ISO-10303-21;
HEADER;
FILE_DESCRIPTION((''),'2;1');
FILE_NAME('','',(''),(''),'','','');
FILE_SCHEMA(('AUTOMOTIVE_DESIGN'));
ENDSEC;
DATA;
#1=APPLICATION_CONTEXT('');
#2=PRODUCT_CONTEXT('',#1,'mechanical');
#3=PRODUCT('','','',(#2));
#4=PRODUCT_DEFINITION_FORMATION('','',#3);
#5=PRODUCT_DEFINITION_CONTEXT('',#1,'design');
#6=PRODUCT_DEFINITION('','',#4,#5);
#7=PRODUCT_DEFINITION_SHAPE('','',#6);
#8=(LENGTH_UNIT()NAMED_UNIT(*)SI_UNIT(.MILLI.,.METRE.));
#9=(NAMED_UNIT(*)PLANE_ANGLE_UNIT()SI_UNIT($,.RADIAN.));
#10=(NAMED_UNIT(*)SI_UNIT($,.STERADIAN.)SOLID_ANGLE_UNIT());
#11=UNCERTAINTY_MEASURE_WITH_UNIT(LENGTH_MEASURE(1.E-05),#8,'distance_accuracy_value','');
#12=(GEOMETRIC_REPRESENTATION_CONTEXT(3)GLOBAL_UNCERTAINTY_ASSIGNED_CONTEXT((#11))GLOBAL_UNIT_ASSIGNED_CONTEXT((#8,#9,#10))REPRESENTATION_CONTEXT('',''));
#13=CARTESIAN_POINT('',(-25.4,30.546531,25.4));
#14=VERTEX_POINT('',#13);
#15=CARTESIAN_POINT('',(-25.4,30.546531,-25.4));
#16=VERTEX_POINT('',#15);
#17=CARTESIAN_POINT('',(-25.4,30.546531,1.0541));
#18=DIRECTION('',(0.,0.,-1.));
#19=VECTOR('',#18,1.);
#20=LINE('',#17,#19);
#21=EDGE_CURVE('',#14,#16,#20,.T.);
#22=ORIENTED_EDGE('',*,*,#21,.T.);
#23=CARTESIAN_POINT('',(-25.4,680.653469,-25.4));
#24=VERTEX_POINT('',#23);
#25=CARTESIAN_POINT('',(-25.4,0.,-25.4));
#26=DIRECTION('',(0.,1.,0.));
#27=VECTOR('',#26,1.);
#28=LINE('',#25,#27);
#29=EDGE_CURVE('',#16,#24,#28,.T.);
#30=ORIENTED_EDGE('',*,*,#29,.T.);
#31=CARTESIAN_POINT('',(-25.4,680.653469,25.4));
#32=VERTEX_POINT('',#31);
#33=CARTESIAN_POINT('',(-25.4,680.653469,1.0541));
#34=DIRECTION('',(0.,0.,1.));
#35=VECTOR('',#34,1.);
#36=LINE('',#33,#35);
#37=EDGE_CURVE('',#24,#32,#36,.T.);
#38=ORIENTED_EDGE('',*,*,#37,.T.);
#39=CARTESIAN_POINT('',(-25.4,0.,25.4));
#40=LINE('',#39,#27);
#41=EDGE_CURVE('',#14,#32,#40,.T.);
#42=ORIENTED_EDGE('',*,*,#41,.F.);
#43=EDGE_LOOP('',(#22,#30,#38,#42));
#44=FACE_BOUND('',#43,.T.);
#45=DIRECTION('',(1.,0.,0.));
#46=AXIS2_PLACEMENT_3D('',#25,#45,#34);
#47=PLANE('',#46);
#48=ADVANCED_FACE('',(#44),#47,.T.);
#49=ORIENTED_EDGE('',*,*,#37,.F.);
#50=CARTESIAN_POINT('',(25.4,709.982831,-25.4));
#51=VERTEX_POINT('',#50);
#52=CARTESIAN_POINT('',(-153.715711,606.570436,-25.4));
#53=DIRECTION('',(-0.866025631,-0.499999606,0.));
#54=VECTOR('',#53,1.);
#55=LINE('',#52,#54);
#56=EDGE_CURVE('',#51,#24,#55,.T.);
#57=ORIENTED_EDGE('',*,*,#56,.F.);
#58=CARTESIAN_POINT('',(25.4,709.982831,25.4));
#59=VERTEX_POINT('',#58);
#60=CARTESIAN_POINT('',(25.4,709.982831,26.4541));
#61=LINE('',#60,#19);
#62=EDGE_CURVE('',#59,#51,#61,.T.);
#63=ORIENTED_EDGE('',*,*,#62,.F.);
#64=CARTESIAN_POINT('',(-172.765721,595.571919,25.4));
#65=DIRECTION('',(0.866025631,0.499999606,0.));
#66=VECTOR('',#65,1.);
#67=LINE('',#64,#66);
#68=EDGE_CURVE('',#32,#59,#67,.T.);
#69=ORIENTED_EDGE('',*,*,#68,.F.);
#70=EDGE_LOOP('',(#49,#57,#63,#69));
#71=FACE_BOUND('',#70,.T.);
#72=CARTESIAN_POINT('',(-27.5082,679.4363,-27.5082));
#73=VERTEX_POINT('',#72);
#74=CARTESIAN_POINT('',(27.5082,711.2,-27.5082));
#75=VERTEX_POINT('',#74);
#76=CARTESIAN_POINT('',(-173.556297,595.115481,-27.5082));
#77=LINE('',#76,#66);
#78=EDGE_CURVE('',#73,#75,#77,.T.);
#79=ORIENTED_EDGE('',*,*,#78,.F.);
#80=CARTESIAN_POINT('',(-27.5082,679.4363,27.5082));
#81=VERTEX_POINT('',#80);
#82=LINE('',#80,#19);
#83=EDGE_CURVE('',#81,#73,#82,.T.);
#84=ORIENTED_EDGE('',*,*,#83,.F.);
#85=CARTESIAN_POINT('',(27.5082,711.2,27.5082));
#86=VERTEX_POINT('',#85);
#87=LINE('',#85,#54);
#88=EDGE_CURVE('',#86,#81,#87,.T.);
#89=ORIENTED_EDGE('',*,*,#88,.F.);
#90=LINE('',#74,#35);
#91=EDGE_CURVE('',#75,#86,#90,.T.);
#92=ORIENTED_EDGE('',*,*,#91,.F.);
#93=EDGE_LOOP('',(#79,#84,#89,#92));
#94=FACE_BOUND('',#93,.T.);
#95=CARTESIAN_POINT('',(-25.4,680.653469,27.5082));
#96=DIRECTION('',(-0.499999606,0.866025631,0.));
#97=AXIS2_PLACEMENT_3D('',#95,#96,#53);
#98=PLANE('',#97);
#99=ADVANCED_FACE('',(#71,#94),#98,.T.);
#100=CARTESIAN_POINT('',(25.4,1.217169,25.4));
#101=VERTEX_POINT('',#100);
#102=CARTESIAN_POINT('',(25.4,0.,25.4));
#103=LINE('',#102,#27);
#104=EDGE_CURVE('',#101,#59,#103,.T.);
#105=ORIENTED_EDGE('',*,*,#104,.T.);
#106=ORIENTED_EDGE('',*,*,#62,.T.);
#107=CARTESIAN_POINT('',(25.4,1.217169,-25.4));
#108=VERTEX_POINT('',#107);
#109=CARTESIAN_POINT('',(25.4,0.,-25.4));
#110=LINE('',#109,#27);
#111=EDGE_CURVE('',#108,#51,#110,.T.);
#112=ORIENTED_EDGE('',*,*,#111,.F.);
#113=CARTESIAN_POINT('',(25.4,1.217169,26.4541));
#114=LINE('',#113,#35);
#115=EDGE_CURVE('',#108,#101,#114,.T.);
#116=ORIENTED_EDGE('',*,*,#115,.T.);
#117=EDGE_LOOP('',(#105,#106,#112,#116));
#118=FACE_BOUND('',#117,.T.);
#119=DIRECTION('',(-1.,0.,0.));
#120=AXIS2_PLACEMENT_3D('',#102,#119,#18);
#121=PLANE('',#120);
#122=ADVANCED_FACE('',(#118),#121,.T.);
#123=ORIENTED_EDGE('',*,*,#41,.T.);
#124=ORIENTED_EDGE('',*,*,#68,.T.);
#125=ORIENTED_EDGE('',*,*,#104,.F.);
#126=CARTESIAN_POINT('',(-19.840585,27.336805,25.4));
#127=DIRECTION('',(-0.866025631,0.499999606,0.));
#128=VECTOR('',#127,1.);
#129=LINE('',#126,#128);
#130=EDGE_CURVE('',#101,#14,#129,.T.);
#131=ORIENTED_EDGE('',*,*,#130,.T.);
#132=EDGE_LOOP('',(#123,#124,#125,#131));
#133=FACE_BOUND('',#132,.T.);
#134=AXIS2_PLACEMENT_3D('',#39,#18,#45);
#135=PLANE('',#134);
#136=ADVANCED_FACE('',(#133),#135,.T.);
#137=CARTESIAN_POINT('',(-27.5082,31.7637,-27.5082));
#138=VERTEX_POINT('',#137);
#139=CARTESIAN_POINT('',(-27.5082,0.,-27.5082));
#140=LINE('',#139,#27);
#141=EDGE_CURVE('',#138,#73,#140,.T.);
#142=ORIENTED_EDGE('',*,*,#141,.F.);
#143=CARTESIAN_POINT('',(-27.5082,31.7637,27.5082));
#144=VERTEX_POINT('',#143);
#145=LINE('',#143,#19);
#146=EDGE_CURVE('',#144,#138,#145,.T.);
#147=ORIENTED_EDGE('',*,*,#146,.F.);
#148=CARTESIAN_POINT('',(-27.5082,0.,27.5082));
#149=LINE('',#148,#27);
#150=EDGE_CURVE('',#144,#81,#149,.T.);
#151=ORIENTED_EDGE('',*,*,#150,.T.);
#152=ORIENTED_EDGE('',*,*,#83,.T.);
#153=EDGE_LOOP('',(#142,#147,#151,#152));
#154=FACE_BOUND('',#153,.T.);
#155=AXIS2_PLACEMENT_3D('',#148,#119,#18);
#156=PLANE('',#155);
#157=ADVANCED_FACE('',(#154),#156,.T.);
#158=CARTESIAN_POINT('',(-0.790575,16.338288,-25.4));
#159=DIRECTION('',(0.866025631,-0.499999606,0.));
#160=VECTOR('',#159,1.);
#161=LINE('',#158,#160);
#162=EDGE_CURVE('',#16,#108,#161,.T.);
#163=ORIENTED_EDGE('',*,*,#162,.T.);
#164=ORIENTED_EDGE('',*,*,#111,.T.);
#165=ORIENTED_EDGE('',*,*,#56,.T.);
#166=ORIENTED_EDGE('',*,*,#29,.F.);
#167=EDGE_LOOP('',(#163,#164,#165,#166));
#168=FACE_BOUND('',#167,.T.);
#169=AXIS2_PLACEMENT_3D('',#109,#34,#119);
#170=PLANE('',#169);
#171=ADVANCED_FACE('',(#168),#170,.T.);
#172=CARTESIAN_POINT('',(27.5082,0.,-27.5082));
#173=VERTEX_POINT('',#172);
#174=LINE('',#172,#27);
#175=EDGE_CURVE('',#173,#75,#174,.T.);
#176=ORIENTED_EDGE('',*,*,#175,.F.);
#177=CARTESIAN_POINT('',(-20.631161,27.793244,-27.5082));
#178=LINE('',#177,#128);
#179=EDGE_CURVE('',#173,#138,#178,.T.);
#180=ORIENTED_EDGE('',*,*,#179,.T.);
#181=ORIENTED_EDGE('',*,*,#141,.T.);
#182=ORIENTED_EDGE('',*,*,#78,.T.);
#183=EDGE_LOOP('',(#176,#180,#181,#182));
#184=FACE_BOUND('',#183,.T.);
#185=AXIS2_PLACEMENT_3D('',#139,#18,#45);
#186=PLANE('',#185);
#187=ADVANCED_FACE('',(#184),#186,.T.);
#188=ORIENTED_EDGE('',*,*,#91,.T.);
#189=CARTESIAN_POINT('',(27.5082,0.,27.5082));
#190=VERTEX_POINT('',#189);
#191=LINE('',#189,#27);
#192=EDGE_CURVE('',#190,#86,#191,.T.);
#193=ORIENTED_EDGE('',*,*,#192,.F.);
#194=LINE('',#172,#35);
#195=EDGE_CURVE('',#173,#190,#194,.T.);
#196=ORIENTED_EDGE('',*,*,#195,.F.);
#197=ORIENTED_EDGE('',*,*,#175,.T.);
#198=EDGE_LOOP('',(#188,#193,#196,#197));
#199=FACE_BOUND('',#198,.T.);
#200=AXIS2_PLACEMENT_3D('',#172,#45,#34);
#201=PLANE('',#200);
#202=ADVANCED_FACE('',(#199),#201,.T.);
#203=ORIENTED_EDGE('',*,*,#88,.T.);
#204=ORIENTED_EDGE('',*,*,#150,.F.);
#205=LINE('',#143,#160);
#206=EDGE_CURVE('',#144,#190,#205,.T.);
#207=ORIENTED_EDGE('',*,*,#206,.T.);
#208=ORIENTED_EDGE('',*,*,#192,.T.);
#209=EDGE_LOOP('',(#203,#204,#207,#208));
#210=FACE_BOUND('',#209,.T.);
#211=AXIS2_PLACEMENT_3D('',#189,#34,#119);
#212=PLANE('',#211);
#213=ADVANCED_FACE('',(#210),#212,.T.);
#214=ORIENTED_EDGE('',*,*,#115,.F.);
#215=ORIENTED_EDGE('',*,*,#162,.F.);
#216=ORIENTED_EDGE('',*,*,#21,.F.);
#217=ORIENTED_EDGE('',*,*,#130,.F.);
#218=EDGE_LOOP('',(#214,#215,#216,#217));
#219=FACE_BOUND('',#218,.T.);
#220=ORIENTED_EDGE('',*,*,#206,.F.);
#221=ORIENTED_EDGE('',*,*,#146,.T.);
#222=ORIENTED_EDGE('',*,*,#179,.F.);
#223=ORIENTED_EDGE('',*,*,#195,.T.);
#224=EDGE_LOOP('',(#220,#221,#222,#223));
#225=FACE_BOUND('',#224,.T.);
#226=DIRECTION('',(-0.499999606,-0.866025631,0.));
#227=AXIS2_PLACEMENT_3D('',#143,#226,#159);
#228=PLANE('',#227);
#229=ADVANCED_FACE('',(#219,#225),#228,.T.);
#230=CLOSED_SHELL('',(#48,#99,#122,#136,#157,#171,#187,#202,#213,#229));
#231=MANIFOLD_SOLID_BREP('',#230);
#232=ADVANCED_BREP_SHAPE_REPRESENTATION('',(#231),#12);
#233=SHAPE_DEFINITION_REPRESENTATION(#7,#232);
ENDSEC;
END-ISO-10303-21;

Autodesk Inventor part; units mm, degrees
ref_plane "YZ Plane" through (0, 0, 0) normal (1, 0, 0) x (0, 1, 0)
ref_plane "XZ Plane" through (0, 0, 0) normal (0, 1, 0) x (-1, 0, 0)
ref_plane "XY Plane" through (0, 0, 0) normal (0, 0, 1) x (1, 0, 0)
sketch "Sketch1" plane through (0, 0, 0) normal (0, 1, 0) x (-1, 0, 0)
  line L0 (25.4, 25.4) -> (-25.4, 25.4)
  line L1 (-25.4, 25.4) -> (-25.4, -25.4)
  line L2 (-25.4, -25.4) -> (25.4, -25.4)
  line L3 (25.4, -25.4) -> (25.4, 25.4)
  line L4 (-27.5082, 27.5082) -> (27.5082, 27.5082)
  line L5 (27.5082, 27.5082) -> (27.5082, -27.5082)
  line L6 (27.5082, -27.5082) -> (-27.5082, -27.5082)
  line L7 (-27.5082, -27.5082) -> (-27.5082, 27.5082)
  point P0 (0, 0)
  point P1 (25.4, 0)
  point P2 (0, -25.4)
  dimension "d0" = 50.8
  dimension "d1" = 50.8
  dimension "d2" = 2.1082
extrude "Extrusion1" add sketch "Sketch1" along normal blind 711.2
sketch "Sketch2" plane through (-27.5082, 0, 27.5082) normal (0, 0, 1) x (1, 0, 0)
  line L0 (0, 0) -> (55.0164, 0)
  line L1 (55.0164, 0) -> (0, 0) projected
  line L2 (0, 31.7637) -> (55.0164, 0)
  line L3 (0, 0) -> (0, 711.2) projected
  line L4 (0, 31.7637) -> (0, 0)
  line L5 (2.1082, 0) -> (2.1082, 711.2) projected
  line L6 (0, 711.2) -> (55.0164, 711.2)
  line L7 (0, 711.2) -> (55.0164, 711.2) projected
  line L8 (55.0164, 711.2) -> (0, 679.4363)
  line L9 (0, 679.4363) -> (0, 711.2)
  point P0 (27.5082, 0)
  dimension "d5" = 30
  dimension "d6" = 30
extrude "Extrusion2" cut sketch "Sketch2" against normal through all contours L3 L2 L5 L0 | L5 L2 L0 | L3 L6 L5 L8 | L5 L6 L8
properties part number "Square_30degree"
